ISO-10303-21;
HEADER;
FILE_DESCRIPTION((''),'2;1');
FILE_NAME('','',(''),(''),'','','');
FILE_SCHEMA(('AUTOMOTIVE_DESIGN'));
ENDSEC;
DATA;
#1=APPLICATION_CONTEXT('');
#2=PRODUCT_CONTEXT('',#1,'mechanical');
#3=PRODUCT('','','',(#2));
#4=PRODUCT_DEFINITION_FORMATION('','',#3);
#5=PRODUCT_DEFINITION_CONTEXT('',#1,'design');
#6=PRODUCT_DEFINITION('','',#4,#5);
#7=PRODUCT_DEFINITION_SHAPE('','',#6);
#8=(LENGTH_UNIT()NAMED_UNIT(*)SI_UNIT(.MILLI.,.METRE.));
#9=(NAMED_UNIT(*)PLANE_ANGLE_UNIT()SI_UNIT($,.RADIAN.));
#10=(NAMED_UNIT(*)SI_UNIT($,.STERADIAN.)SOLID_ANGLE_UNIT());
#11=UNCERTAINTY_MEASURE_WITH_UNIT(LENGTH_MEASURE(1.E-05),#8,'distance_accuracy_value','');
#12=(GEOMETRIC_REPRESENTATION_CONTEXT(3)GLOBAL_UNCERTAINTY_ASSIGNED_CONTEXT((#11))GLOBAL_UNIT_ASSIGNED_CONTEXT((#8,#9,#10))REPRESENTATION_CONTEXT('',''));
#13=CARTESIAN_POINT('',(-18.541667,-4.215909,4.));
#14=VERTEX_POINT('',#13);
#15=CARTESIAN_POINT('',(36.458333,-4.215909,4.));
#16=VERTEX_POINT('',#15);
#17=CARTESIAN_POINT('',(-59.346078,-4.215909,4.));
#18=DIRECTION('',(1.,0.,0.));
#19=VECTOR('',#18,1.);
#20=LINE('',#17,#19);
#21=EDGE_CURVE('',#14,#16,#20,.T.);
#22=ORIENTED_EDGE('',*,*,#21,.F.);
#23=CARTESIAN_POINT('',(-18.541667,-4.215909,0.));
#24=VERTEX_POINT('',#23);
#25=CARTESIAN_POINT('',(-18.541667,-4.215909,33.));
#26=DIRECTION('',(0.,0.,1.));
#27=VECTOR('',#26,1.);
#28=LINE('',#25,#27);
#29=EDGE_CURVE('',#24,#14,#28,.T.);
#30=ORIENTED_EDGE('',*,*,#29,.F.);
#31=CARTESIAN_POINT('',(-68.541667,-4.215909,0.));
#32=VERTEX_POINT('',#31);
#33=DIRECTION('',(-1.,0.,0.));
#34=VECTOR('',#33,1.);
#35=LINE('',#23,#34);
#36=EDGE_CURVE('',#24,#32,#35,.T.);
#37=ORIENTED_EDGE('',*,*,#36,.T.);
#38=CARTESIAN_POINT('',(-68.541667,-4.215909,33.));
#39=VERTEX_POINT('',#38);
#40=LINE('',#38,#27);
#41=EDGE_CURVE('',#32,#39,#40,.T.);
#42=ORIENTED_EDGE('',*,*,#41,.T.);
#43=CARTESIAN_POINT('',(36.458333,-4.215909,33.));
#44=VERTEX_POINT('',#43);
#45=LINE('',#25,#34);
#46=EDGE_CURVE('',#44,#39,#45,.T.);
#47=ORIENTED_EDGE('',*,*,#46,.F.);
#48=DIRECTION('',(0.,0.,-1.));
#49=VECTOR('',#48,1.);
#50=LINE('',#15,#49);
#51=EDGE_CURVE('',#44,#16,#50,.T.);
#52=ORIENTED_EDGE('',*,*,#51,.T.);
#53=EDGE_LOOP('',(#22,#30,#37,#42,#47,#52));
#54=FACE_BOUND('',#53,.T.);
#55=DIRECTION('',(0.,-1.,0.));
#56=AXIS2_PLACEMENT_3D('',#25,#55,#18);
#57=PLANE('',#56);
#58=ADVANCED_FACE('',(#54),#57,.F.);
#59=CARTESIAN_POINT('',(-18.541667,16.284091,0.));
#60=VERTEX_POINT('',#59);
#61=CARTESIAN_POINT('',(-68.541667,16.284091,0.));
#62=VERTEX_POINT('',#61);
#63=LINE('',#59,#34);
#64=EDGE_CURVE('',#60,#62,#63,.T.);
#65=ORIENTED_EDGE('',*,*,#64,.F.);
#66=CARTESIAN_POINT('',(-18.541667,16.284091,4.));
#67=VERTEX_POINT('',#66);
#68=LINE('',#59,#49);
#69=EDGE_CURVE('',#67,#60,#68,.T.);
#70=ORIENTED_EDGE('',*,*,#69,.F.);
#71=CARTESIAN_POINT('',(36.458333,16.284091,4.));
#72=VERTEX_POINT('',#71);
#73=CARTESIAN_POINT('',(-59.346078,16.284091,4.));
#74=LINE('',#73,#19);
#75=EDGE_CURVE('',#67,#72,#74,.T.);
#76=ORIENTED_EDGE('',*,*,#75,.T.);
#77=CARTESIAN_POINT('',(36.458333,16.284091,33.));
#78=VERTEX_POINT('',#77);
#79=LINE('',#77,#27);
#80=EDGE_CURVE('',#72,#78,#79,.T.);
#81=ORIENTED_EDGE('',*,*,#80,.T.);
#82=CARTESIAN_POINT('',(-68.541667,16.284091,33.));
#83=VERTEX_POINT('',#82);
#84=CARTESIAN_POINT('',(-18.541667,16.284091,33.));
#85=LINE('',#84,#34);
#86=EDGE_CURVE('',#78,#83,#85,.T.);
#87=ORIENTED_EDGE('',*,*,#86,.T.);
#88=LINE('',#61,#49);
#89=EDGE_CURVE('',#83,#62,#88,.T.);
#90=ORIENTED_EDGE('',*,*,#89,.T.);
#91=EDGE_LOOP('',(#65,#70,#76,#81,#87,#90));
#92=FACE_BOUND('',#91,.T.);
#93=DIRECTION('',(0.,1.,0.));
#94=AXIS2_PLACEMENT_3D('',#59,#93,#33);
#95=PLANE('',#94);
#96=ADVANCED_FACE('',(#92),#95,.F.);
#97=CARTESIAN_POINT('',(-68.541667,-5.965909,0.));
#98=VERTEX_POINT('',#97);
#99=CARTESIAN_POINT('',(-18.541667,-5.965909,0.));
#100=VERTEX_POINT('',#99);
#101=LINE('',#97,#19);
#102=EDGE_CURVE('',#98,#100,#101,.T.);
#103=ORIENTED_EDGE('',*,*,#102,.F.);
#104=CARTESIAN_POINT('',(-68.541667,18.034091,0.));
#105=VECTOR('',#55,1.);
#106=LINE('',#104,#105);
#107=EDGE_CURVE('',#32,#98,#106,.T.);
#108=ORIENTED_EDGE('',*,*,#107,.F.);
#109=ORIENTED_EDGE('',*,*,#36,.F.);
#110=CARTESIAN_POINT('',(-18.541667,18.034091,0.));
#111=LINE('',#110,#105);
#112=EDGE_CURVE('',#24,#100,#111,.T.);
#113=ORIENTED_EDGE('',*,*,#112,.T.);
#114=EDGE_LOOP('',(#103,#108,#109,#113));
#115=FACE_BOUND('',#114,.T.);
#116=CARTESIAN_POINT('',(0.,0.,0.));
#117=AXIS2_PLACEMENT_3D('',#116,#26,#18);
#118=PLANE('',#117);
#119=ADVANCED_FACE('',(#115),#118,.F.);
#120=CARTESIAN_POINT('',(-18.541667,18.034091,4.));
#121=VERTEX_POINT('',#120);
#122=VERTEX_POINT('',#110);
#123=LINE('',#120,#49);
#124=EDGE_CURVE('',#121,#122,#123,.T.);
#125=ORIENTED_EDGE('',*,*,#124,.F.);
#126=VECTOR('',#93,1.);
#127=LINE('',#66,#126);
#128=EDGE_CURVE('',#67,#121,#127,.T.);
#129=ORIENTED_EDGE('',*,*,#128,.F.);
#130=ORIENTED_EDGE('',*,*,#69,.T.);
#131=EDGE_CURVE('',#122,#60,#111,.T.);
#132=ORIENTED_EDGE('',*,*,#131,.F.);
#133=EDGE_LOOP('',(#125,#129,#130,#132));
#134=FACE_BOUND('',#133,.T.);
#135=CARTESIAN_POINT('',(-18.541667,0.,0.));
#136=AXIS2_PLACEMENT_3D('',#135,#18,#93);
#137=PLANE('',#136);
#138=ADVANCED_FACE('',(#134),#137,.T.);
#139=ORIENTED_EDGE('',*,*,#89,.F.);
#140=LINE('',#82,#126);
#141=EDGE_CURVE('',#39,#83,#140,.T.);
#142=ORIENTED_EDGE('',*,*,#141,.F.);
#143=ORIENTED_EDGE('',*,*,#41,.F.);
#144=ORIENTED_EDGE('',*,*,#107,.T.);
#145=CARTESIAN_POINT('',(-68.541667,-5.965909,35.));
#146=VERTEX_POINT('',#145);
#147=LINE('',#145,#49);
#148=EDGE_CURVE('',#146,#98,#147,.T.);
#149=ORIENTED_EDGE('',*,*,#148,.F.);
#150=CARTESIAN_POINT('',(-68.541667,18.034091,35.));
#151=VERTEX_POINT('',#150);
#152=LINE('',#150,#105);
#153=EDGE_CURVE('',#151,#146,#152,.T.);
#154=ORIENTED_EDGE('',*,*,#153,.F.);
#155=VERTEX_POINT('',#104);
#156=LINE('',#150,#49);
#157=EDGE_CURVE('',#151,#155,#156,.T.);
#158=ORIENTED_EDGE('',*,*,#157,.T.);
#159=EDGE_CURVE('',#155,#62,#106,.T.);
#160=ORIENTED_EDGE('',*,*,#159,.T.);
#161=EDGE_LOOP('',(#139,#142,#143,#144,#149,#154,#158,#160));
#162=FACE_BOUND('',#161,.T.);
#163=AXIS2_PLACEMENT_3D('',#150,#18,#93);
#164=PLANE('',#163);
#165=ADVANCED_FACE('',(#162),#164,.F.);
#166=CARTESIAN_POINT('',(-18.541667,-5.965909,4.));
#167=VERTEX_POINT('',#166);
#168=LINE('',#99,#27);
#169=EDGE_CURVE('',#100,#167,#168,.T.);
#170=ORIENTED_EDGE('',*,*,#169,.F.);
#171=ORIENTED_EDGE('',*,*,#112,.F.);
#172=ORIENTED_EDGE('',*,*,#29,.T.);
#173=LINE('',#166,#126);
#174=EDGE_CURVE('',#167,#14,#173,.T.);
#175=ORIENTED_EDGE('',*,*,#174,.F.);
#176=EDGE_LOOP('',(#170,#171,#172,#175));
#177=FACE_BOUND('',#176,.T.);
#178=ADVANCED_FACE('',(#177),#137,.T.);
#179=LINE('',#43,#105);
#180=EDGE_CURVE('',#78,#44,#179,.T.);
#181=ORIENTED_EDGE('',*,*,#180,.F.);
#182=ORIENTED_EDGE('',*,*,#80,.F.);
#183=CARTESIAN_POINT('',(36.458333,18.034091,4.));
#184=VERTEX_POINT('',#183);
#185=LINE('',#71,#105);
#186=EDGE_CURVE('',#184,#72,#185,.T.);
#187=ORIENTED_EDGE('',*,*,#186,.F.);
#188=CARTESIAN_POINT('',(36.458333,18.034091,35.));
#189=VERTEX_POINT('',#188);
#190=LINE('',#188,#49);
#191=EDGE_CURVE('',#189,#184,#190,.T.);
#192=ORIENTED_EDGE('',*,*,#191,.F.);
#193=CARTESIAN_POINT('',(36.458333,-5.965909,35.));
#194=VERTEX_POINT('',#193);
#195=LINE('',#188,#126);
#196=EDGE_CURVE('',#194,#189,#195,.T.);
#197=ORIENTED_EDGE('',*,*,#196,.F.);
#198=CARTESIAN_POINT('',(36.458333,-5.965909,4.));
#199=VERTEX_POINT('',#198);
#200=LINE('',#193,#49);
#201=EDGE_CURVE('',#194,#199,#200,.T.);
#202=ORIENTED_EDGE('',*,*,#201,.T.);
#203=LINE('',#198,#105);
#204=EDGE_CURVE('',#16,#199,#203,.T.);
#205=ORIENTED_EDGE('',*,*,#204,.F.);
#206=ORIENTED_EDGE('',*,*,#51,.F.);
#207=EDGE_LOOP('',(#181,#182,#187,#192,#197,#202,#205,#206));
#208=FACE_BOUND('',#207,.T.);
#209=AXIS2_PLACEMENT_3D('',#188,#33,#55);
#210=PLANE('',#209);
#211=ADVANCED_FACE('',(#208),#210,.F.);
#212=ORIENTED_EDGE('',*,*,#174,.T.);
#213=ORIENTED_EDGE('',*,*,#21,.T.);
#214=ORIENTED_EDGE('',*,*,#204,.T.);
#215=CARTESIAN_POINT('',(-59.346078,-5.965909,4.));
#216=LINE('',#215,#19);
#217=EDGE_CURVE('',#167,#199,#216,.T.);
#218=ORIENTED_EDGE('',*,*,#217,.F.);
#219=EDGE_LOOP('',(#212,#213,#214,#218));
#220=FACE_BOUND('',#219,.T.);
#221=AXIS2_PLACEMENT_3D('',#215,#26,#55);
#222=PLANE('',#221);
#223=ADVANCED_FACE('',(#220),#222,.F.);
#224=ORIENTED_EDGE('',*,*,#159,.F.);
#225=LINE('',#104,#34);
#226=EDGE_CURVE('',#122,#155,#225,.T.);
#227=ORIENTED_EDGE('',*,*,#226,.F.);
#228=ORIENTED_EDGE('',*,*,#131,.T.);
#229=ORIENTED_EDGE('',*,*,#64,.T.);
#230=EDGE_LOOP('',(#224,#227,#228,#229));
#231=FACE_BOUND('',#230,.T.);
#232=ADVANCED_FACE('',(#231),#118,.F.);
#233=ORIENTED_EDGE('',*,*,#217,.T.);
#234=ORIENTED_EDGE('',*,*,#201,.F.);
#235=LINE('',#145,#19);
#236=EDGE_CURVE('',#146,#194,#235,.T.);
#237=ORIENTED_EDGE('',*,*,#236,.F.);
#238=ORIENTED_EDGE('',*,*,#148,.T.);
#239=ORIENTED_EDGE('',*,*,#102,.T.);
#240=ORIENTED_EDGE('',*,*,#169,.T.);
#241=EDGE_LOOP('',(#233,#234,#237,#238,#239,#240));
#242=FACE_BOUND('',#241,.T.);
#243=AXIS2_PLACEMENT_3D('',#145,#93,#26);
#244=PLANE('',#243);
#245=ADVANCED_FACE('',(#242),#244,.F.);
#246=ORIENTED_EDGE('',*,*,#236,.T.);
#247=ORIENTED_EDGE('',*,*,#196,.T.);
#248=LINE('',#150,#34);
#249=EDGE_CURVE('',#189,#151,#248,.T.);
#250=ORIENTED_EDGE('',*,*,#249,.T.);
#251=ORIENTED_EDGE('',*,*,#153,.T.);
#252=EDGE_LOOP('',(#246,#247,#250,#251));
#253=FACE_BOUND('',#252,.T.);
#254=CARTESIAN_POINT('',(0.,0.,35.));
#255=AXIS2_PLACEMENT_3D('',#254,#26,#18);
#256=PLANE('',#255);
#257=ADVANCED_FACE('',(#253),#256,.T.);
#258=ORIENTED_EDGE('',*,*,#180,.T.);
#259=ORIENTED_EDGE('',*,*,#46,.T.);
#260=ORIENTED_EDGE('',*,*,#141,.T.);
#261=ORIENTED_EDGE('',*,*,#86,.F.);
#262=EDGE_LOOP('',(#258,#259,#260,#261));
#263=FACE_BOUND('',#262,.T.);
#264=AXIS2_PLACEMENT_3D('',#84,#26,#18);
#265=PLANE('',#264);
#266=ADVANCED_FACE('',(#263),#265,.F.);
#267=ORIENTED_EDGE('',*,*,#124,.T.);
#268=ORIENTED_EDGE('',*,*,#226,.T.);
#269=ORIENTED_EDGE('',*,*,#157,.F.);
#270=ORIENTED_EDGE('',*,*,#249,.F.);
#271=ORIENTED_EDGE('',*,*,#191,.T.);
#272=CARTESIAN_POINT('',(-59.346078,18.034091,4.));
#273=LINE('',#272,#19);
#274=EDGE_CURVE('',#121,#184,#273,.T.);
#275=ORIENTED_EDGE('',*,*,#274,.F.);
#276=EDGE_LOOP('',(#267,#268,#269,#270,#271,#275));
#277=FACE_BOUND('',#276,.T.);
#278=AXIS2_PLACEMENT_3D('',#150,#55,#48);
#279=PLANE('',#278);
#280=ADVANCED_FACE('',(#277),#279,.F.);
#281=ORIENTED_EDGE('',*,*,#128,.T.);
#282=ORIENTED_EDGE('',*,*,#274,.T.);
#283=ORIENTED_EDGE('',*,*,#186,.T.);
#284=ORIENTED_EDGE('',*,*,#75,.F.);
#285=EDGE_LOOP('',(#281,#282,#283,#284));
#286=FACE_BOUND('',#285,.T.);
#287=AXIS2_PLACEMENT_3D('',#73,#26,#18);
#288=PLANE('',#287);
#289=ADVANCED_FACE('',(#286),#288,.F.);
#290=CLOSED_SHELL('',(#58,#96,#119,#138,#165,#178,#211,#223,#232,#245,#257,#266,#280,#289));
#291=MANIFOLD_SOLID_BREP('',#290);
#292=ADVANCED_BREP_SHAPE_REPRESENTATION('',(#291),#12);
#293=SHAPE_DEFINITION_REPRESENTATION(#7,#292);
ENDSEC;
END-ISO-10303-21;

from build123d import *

# Parameters (mm, degrees)
SKETCH_1_W          = 105
SKETCH_1_H          = 24
EXTRUDE_1_DEPTH     = 35
SKETCH_2_W          = 33
SKETCH_2_H          = 20.5
CUT_EXTRUDE_1_DEPTH = 50
CUT_EXTRUDE_2_DEPTH = 55


with BuildPart() as part:
    # 草图1 → 凸台-拉伸1 (new body)
    with BuildSketch(Plane.XY):
        with Locations((-16.041666667, 6.034090909)):
            Rectangle(SKETCH_1_W, SKETCH_1_H)
    extrude(amount=EXTRUDE_1_DEPTH)

    # 草图2 → 切除-拉伸1 (cut)
    with BuildSketch(Plane.ZY.offset(68.541666667)):
        with Locations((16.5, 6.034090909)):
            Rectangle(SKETCH_2_W, SKETCH_2_H)
    extrude(amount=-CUT_EXTRUDE_1_DEPTH, mode=Mode.SUBTRACT)

    # 草图3 → 切除-拉伸2 (cut)
    with BuildSketch(Plane(origin=(36.458333333, 0, 0), x_dir=(0, 0, -1), z_dir=(1, 0, 0))):
        Polygon((-33, 16.284090909), (-4, 16.284090909), (-4, 18.034090909), (0, 18.034090909), (0, -5.965909091), (-4, -5.965909091), (-4, -4.215909091), (-33, -4.215909091), align=None)
    extrude(amount=-CUT_EXTRUDE_2_DEPTH, mode=Mode.SUBTRACT)


solid = part.part
